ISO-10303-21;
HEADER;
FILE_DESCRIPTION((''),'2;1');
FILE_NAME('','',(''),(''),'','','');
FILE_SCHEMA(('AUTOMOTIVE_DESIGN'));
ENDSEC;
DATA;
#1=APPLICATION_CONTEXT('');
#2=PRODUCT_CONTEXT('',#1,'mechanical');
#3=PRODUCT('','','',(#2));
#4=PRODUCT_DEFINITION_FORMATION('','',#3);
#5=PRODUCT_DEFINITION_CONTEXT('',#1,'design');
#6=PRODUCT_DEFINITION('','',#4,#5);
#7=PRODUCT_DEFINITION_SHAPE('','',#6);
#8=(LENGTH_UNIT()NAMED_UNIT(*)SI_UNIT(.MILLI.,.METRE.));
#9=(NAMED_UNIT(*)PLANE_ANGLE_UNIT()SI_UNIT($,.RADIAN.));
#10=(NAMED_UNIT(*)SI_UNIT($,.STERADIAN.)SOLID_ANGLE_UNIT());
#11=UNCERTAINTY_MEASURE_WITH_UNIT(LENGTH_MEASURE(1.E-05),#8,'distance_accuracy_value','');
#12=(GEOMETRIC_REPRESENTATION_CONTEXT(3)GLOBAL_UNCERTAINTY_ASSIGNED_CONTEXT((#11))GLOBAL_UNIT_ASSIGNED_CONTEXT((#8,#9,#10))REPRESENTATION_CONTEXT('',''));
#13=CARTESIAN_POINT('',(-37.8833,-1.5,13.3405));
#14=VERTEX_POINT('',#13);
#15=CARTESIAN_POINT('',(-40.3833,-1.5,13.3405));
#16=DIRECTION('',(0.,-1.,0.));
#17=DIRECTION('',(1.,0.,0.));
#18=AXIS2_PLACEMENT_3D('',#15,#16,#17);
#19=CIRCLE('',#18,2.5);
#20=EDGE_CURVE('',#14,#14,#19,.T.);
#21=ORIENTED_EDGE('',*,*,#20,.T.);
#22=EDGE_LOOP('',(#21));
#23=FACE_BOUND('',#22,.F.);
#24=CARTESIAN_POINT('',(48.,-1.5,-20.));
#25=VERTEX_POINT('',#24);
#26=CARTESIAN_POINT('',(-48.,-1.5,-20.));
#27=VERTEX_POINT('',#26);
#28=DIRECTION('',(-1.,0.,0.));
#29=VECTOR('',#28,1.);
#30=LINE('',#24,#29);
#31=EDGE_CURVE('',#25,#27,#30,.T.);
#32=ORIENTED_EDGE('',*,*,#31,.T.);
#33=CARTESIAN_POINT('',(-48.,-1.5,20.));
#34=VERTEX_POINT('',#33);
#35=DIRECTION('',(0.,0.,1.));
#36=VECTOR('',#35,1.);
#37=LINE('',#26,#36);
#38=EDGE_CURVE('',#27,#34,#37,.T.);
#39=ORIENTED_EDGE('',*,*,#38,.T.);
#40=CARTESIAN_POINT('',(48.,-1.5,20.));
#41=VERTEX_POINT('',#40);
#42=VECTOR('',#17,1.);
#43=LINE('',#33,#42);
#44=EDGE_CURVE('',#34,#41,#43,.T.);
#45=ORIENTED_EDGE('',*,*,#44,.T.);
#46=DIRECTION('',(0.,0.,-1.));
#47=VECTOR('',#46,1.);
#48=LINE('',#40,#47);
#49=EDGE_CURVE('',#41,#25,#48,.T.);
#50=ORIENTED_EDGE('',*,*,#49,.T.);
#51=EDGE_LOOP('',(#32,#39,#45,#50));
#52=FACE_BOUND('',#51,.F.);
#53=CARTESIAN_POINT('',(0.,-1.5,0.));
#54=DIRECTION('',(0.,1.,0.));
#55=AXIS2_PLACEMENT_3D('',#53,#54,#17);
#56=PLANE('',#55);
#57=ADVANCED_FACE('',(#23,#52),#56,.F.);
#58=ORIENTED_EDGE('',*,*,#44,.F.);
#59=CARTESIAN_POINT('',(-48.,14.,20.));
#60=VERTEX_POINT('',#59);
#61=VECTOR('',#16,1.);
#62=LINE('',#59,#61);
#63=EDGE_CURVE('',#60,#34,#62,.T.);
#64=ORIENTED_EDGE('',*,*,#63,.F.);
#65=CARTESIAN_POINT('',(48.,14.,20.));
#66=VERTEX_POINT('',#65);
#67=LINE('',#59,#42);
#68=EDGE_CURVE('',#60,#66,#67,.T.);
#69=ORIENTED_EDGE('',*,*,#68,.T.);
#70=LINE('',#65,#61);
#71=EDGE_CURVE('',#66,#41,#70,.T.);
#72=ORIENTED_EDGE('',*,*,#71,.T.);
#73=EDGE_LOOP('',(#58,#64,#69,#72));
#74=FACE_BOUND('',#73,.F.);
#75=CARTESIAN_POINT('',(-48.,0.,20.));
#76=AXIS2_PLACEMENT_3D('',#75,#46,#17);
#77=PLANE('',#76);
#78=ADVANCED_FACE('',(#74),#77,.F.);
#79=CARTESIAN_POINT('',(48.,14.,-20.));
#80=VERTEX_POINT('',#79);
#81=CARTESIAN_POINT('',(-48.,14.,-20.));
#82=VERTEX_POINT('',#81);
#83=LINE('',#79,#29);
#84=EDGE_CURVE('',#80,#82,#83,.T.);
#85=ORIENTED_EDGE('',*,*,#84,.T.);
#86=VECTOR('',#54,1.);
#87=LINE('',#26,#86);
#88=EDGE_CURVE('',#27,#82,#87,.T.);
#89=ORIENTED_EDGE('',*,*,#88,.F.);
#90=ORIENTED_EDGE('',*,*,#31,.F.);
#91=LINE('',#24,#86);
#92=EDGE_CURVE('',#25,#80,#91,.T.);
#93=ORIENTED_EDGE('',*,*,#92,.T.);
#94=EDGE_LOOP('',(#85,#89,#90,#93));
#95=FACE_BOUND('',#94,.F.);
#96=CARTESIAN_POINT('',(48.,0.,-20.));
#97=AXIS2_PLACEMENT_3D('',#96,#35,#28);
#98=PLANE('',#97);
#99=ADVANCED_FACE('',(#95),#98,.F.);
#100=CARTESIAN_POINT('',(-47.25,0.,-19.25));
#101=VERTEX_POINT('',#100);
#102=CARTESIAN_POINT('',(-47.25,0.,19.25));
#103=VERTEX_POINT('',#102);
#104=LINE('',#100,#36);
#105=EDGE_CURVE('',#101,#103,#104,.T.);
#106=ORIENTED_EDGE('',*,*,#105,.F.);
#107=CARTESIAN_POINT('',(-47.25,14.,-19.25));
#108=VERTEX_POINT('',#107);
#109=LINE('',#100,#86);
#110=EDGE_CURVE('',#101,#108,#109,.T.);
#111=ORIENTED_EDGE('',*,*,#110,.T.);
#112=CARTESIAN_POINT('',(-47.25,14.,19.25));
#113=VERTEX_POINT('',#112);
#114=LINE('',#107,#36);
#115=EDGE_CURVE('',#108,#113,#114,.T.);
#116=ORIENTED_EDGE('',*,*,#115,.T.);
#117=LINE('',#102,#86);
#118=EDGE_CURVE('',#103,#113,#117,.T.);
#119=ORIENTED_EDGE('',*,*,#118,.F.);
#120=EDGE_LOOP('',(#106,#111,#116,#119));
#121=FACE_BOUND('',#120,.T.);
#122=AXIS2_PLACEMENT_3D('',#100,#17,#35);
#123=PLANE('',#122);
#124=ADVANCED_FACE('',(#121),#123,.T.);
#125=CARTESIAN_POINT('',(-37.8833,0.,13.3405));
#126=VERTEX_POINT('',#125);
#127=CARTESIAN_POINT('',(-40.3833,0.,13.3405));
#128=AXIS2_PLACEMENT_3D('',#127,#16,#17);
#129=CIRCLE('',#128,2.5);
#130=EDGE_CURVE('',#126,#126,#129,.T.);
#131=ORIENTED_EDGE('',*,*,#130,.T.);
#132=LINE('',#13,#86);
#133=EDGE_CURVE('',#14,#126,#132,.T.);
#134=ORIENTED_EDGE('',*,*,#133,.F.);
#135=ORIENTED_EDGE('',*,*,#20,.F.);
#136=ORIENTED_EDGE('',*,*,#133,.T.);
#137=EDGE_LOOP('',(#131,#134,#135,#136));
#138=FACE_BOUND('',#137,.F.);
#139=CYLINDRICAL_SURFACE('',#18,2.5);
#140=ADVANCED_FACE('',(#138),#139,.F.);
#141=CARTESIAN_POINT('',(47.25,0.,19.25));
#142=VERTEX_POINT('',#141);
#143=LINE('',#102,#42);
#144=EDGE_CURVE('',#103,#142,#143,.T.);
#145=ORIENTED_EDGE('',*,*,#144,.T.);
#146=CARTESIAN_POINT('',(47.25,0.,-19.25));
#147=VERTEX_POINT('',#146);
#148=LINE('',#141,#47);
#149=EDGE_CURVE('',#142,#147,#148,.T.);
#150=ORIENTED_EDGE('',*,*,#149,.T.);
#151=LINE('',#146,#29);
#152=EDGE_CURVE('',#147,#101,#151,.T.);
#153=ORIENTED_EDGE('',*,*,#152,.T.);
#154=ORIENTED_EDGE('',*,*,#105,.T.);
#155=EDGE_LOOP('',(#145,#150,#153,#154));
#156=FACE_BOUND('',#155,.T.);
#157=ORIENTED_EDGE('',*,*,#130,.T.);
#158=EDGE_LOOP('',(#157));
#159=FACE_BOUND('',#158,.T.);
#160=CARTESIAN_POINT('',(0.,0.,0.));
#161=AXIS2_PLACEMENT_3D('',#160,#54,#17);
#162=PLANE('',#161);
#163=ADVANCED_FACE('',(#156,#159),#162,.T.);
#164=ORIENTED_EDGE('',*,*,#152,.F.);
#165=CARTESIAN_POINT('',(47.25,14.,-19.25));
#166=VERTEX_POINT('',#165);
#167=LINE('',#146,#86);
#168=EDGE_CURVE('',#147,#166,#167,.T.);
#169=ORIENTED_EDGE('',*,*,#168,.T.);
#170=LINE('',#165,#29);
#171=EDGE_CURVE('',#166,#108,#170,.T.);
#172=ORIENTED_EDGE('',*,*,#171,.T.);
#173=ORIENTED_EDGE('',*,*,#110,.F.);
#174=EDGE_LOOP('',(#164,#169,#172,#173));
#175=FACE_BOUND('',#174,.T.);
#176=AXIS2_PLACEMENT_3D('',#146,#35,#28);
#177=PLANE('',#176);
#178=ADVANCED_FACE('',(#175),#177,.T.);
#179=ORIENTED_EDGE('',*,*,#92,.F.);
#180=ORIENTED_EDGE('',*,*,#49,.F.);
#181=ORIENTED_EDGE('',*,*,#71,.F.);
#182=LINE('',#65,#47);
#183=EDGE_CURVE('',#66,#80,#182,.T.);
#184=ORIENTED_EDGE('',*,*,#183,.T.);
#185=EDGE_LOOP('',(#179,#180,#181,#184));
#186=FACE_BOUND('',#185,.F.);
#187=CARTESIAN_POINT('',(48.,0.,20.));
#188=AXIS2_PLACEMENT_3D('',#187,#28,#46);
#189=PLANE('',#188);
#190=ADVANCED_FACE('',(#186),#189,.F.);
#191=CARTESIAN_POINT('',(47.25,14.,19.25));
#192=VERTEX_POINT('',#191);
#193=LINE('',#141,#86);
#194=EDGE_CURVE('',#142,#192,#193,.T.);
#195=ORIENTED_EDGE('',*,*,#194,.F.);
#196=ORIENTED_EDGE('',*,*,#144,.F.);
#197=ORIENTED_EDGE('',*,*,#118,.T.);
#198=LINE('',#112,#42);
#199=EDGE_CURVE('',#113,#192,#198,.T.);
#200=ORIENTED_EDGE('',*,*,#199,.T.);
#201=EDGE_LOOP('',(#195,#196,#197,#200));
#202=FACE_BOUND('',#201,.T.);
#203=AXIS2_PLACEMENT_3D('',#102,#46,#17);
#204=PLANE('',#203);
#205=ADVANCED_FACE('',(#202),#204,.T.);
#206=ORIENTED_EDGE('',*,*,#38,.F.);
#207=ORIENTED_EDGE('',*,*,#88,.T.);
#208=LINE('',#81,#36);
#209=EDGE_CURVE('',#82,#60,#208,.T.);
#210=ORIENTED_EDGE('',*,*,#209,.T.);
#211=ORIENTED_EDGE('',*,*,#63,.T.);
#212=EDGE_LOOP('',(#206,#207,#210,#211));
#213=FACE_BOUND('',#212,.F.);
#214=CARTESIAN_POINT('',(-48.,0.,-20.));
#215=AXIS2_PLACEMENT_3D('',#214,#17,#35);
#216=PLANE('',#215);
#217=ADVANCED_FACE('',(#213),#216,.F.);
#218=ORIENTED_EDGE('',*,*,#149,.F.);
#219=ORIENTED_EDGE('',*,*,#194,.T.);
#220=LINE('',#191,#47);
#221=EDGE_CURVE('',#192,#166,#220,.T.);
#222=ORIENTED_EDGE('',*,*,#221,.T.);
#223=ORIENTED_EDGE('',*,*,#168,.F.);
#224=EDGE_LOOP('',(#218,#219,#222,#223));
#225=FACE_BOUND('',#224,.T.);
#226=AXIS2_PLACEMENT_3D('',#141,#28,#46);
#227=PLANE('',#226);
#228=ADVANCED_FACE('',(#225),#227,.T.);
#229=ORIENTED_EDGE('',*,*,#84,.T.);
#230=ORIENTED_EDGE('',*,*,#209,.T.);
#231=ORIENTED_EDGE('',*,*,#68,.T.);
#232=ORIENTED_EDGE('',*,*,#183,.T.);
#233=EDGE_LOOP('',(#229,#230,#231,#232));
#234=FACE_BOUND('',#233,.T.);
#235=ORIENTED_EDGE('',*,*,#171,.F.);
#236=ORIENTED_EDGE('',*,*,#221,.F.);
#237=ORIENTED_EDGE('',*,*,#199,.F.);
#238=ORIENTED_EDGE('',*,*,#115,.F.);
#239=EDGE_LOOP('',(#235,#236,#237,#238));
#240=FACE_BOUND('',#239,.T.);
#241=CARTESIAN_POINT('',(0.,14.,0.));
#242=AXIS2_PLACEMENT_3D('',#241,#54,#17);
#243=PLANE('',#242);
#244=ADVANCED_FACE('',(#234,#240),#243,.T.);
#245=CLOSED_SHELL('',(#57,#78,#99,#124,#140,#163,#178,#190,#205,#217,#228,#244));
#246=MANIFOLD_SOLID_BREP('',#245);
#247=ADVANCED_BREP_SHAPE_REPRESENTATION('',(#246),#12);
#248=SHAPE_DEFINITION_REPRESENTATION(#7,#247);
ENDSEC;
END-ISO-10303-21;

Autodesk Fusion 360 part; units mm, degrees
sketch "Sketch1" plane through (0, 0, 0) normal (0, 1, 0) x (1, 0, 0)
  line L0 (48, 20) -> (-48, 20)
  line L1 (-48, 20) -> (-48, -20)
  line L2 (-48, -20) -> (48, -20)
  line L3 (48, -20) -> (48, 20)
  line L4 (48, 20) -> (-48, -20) construction
  line L5 (-48, 20) -> (48, -20) construction
  line L6 (47.25, 19.25) -> (-47.25, 19.25)
  line L7 (-47.25, 19.25) -> (-47.25, -19.25)
  line L8 (-47.25, -19.25) -> (47.25, -19.25)
  line L9 (47.25, -19.25) -> (47.25, 19.25)
  line L10 (47.25, 19.25) -> (-47.25, -19.25) construction
  line L11 (-47.25, 19.25) -> (47.25, -19.25) construction
  dimension "d1" = 96
  dimension "d2" = 40
  dimension "d3" = 94.5
  dimension "d4" = 38.5
extrude "Extrude1" add sketch "Sketch1" along normal blind 14
sketch "Sketch2" plane through (0, 0, 0) normal (0, 1, 0) x (1, 0, 0)
  line L0 (-48, -20) -> (48, -20)
  line L1 (48, -20) -> (48, 20)
  line L2 (48, 20) -> (-48, 20)
  line L3 (-48, 20) -> (-48, -20)
extrude "Extrude2" add sketch "Sketch2" against normal blind 1.5
sketch "Sketch3" plane through (0, -1.5, 0) normal (0, -1, 0) x (1, 0, 0)
  line L0 (-48, 20) -> (-48, -20)
  line L1 (-48, -20) -> (48, -20)
  line L2 (48, -20) -> (48, 20)
  line L3 (48, 20) -> (-48, 20)
  circle A0 centre (-40.3833, 13.3405) radius 2.5
  dimension "d10" = 5
extrude "Extrude3" cut sketch "Sketch3" against normal blind 2.918 contours A0
